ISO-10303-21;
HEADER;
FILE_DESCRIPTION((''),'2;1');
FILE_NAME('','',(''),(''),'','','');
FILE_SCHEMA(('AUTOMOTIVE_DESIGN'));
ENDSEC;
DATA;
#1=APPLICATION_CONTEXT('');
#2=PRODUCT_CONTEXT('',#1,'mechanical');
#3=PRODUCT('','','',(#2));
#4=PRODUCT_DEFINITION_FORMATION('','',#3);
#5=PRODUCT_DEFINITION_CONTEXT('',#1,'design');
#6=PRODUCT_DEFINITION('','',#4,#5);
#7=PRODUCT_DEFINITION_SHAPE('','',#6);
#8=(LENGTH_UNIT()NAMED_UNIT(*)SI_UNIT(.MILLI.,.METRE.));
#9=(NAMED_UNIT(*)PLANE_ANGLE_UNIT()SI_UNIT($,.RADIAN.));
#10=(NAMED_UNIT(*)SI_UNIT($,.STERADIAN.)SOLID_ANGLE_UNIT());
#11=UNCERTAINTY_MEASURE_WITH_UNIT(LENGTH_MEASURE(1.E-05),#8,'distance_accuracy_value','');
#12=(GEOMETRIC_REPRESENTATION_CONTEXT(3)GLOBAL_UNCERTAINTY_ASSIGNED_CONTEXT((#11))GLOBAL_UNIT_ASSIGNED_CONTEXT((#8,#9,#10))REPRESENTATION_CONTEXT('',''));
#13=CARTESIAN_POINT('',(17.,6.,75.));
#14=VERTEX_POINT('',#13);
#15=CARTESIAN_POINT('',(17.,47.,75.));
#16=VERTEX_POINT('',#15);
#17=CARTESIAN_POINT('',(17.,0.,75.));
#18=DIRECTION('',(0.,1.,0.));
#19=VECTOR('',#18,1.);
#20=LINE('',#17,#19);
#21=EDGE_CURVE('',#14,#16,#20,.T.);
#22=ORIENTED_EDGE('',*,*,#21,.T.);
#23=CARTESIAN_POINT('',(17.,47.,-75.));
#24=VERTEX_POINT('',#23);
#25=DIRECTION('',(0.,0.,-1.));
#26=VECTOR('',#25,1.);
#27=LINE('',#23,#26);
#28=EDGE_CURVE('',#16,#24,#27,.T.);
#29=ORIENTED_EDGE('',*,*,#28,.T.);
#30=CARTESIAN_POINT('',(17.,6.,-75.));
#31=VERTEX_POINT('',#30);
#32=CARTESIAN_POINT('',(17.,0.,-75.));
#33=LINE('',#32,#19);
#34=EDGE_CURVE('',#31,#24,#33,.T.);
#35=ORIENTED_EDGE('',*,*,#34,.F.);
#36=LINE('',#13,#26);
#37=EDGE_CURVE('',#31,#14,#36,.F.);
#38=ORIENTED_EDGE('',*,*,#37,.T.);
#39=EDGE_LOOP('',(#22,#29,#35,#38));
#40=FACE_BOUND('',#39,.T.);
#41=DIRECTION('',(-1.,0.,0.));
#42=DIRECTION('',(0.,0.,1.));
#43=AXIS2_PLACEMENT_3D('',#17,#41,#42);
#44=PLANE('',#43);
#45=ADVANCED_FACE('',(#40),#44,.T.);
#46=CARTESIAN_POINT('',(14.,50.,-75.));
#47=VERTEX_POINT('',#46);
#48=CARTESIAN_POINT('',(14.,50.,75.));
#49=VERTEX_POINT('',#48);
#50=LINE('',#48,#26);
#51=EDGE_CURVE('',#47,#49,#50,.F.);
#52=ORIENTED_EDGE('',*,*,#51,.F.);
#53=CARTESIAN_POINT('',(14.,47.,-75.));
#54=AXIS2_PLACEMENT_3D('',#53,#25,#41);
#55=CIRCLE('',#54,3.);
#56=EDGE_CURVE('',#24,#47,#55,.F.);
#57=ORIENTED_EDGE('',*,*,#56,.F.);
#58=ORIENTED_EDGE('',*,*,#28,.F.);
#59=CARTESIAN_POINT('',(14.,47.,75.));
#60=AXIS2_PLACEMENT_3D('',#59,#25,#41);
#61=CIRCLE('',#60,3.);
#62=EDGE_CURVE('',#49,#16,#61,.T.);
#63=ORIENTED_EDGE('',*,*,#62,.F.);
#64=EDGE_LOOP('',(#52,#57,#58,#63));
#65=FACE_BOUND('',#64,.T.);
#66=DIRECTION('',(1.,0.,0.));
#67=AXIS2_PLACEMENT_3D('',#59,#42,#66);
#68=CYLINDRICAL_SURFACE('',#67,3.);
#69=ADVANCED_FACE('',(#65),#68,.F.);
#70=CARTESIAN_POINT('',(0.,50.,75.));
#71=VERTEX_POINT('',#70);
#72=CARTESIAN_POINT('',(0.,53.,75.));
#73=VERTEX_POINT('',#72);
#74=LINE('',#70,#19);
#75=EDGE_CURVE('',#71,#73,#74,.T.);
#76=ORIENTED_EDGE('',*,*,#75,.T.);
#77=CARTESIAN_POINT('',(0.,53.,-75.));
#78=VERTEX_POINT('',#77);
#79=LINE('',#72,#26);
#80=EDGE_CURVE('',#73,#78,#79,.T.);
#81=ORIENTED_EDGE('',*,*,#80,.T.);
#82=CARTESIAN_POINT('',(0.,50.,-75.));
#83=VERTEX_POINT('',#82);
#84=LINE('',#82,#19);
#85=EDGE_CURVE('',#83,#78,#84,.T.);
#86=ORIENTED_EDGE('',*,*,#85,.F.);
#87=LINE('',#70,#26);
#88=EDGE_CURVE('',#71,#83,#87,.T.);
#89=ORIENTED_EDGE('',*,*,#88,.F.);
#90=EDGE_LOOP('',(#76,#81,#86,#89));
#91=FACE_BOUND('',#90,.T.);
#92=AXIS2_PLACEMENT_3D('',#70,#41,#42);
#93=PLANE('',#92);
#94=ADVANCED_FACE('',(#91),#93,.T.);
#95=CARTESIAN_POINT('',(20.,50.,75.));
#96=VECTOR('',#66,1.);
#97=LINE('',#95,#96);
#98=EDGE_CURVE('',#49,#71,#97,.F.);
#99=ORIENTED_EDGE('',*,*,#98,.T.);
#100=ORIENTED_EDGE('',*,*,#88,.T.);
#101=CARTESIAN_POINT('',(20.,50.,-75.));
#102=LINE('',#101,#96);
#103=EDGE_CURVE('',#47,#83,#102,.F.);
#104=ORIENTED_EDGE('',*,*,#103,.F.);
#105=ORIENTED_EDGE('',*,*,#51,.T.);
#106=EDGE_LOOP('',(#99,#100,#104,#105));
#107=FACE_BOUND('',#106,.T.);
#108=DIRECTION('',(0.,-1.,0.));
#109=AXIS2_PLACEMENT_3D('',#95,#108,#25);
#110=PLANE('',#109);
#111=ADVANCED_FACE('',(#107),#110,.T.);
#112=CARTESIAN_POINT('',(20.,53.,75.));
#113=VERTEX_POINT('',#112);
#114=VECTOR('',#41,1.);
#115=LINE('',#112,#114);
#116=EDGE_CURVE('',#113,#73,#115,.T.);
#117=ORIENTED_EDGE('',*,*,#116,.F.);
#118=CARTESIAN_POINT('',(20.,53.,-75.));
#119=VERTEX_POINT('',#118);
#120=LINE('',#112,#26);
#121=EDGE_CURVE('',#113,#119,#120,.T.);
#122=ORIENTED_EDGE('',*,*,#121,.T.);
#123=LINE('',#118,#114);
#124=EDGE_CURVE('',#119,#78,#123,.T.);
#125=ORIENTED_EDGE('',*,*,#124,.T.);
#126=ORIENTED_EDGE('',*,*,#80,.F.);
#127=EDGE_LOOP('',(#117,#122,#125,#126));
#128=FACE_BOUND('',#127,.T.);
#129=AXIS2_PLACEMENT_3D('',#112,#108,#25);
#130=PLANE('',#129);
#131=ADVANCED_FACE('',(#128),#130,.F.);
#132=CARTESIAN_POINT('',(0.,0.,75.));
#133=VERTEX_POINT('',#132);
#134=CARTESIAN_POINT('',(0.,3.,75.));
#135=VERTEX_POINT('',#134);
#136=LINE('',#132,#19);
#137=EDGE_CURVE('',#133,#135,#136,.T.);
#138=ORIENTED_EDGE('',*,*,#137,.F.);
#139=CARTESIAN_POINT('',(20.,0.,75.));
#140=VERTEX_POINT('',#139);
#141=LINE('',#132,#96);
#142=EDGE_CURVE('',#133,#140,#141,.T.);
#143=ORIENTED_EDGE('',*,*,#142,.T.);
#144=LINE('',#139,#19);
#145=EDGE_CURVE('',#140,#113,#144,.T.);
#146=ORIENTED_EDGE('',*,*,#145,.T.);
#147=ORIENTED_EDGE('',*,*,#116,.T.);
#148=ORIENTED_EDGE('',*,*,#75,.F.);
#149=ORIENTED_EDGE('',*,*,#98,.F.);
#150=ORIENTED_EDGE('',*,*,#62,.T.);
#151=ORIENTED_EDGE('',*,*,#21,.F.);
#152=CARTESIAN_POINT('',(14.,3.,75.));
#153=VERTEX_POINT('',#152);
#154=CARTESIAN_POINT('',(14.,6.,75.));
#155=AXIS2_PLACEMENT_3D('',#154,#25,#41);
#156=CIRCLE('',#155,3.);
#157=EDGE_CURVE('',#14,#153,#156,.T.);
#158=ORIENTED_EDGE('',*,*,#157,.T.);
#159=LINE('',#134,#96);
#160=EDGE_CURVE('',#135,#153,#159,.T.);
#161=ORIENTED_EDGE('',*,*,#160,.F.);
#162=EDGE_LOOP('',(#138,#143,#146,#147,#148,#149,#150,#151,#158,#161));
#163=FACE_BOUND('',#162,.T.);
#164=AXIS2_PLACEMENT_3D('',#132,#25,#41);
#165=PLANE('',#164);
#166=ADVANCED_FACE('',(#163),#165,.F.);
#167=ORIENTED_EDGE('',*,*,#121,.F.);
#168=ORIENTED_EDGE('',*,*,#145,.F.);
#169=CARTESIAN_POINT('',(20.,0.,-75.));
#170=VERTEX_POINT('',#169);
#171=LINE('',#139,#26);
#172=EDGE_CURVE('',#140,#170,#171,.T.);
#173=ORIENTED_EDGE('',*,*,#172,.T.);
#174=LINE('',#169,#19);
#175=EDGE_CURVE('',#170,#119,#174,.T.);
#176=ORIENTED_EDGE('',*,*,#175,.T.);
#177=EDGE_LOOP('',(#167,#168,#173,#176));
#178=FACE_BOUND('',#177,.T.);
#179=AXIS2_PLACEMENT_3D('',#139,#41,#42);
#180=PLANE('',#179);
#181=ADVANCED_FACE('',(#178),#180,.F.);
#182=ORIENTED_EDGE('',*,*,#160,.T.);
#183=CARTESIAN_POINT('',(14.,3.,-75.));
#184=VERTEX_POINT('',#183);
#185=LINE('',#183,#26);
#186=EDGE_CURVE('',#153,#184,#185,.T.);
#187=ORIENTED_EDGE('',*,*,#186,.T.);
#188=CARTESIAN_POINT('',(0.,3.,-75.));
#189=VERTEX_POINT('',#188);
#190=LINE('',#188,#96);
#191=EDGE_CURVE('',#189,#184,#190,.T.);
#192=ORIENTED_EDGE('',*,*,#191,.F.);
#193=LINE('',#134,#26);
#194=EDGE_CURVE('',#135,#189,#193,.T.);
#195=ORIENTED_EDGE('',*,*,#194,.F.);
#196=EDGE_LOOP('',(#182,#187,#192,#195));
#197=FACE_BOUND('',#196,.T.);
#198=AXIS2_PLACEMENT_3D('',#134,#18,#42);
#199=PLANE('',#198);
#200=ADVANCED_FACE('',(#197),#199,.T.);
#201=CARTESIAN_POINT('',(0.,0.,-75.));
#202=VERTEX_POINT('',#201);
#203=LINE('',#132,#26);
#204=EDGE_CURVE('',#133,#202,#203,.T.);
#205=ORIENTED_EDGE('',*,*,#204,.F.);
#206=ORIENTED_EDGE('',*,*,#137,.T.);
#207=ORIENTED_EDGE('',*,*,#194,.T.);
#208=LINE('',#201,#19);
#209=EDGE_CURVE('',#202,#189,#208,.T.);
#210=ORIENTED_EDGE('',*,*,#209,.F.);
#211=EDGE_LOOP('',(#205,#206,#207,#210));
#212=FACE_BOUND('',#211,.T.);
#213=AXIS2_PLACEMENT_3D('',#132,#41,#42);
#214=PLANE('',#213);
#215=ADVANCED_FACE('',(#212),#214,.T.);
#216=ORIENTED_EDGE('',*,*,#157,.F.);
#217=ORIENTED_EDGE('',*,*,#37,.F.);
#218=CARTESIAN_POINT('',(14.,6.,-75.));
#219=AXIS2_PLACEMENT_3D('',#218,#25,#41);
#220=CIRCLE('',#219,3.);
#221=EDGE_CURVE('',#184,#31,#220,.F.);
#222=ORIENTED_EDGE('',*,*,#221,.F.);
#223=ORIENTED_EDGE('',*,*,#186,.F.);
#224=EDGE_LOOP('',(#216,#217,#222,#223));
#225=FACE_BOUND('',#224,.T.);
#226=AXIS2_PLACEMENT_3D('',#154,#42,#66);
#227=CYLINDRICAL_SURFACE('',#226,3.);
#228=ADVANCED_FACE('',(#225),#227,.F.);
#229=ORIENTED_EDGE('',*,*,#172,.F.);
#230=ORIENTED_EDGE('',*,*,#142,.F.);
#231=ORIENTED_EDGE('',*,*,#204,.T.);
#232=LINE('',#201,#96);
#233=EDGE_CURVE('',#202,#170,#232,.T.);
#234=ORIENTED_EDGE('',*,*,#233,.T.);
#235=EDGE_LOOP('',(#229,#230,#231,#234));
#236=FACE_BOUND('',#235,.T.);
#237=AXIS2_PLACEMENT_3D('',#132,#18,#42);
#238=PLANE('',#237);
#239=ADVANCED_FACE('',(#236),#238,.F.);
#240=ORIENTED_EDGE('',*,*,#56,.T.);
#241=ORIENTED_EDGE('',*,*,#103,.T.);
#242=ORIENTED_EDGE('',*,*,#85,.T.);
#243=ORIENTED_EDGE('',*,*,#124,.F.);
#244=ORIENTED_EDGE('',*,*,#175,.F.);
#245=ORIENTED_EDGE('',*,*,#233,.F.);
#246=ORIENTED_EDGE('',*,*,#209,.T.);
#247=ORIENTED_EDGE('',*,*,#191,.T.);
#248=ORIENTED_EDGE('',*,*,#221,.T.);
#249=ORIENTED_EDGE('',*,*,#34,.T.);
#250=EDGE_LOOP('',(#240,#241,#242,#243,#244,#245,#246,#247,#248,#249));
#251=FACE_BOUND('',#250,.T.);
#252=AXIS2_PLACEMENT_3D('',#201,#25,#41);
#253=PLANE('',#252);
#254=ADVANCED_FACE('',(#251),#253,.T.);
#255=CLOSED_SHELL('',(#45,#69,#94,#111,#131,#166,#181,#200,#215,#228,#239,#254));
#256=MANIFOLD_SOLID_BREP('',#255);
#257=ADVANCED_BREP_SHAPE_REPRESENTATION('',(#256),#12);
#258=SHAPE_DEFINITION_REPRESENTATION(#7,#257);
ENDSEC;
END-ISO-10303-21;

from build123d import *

# Parameters (mm, degrees)
EXTRUDE_1_DEPTH = 75
FILLET_1_R      = 3


with BuildPart() as part:
    # Эскиз1 → Вытянуть-Тонкостенный1 (new, symmetric)
    with BuildSketch(Plane.XY):
        Polygon((0, 0), (20, 0), (20, 53), (0, 53), (0, 50), (17, 50), (17, 3), (0, 3), align=None)
    extrude(amount=EXTRUDE_1_DEPTH, both=True)

    # Скругление1
    fillet_1_edges = [part.edges().sort_by_distance(p)[0] for p in [
        (17, 3, 0),
        (17, 50, 0),
    ]]
    fillet(fillet_1_edges, radius=FILLET_1_R)


solid = part.part
